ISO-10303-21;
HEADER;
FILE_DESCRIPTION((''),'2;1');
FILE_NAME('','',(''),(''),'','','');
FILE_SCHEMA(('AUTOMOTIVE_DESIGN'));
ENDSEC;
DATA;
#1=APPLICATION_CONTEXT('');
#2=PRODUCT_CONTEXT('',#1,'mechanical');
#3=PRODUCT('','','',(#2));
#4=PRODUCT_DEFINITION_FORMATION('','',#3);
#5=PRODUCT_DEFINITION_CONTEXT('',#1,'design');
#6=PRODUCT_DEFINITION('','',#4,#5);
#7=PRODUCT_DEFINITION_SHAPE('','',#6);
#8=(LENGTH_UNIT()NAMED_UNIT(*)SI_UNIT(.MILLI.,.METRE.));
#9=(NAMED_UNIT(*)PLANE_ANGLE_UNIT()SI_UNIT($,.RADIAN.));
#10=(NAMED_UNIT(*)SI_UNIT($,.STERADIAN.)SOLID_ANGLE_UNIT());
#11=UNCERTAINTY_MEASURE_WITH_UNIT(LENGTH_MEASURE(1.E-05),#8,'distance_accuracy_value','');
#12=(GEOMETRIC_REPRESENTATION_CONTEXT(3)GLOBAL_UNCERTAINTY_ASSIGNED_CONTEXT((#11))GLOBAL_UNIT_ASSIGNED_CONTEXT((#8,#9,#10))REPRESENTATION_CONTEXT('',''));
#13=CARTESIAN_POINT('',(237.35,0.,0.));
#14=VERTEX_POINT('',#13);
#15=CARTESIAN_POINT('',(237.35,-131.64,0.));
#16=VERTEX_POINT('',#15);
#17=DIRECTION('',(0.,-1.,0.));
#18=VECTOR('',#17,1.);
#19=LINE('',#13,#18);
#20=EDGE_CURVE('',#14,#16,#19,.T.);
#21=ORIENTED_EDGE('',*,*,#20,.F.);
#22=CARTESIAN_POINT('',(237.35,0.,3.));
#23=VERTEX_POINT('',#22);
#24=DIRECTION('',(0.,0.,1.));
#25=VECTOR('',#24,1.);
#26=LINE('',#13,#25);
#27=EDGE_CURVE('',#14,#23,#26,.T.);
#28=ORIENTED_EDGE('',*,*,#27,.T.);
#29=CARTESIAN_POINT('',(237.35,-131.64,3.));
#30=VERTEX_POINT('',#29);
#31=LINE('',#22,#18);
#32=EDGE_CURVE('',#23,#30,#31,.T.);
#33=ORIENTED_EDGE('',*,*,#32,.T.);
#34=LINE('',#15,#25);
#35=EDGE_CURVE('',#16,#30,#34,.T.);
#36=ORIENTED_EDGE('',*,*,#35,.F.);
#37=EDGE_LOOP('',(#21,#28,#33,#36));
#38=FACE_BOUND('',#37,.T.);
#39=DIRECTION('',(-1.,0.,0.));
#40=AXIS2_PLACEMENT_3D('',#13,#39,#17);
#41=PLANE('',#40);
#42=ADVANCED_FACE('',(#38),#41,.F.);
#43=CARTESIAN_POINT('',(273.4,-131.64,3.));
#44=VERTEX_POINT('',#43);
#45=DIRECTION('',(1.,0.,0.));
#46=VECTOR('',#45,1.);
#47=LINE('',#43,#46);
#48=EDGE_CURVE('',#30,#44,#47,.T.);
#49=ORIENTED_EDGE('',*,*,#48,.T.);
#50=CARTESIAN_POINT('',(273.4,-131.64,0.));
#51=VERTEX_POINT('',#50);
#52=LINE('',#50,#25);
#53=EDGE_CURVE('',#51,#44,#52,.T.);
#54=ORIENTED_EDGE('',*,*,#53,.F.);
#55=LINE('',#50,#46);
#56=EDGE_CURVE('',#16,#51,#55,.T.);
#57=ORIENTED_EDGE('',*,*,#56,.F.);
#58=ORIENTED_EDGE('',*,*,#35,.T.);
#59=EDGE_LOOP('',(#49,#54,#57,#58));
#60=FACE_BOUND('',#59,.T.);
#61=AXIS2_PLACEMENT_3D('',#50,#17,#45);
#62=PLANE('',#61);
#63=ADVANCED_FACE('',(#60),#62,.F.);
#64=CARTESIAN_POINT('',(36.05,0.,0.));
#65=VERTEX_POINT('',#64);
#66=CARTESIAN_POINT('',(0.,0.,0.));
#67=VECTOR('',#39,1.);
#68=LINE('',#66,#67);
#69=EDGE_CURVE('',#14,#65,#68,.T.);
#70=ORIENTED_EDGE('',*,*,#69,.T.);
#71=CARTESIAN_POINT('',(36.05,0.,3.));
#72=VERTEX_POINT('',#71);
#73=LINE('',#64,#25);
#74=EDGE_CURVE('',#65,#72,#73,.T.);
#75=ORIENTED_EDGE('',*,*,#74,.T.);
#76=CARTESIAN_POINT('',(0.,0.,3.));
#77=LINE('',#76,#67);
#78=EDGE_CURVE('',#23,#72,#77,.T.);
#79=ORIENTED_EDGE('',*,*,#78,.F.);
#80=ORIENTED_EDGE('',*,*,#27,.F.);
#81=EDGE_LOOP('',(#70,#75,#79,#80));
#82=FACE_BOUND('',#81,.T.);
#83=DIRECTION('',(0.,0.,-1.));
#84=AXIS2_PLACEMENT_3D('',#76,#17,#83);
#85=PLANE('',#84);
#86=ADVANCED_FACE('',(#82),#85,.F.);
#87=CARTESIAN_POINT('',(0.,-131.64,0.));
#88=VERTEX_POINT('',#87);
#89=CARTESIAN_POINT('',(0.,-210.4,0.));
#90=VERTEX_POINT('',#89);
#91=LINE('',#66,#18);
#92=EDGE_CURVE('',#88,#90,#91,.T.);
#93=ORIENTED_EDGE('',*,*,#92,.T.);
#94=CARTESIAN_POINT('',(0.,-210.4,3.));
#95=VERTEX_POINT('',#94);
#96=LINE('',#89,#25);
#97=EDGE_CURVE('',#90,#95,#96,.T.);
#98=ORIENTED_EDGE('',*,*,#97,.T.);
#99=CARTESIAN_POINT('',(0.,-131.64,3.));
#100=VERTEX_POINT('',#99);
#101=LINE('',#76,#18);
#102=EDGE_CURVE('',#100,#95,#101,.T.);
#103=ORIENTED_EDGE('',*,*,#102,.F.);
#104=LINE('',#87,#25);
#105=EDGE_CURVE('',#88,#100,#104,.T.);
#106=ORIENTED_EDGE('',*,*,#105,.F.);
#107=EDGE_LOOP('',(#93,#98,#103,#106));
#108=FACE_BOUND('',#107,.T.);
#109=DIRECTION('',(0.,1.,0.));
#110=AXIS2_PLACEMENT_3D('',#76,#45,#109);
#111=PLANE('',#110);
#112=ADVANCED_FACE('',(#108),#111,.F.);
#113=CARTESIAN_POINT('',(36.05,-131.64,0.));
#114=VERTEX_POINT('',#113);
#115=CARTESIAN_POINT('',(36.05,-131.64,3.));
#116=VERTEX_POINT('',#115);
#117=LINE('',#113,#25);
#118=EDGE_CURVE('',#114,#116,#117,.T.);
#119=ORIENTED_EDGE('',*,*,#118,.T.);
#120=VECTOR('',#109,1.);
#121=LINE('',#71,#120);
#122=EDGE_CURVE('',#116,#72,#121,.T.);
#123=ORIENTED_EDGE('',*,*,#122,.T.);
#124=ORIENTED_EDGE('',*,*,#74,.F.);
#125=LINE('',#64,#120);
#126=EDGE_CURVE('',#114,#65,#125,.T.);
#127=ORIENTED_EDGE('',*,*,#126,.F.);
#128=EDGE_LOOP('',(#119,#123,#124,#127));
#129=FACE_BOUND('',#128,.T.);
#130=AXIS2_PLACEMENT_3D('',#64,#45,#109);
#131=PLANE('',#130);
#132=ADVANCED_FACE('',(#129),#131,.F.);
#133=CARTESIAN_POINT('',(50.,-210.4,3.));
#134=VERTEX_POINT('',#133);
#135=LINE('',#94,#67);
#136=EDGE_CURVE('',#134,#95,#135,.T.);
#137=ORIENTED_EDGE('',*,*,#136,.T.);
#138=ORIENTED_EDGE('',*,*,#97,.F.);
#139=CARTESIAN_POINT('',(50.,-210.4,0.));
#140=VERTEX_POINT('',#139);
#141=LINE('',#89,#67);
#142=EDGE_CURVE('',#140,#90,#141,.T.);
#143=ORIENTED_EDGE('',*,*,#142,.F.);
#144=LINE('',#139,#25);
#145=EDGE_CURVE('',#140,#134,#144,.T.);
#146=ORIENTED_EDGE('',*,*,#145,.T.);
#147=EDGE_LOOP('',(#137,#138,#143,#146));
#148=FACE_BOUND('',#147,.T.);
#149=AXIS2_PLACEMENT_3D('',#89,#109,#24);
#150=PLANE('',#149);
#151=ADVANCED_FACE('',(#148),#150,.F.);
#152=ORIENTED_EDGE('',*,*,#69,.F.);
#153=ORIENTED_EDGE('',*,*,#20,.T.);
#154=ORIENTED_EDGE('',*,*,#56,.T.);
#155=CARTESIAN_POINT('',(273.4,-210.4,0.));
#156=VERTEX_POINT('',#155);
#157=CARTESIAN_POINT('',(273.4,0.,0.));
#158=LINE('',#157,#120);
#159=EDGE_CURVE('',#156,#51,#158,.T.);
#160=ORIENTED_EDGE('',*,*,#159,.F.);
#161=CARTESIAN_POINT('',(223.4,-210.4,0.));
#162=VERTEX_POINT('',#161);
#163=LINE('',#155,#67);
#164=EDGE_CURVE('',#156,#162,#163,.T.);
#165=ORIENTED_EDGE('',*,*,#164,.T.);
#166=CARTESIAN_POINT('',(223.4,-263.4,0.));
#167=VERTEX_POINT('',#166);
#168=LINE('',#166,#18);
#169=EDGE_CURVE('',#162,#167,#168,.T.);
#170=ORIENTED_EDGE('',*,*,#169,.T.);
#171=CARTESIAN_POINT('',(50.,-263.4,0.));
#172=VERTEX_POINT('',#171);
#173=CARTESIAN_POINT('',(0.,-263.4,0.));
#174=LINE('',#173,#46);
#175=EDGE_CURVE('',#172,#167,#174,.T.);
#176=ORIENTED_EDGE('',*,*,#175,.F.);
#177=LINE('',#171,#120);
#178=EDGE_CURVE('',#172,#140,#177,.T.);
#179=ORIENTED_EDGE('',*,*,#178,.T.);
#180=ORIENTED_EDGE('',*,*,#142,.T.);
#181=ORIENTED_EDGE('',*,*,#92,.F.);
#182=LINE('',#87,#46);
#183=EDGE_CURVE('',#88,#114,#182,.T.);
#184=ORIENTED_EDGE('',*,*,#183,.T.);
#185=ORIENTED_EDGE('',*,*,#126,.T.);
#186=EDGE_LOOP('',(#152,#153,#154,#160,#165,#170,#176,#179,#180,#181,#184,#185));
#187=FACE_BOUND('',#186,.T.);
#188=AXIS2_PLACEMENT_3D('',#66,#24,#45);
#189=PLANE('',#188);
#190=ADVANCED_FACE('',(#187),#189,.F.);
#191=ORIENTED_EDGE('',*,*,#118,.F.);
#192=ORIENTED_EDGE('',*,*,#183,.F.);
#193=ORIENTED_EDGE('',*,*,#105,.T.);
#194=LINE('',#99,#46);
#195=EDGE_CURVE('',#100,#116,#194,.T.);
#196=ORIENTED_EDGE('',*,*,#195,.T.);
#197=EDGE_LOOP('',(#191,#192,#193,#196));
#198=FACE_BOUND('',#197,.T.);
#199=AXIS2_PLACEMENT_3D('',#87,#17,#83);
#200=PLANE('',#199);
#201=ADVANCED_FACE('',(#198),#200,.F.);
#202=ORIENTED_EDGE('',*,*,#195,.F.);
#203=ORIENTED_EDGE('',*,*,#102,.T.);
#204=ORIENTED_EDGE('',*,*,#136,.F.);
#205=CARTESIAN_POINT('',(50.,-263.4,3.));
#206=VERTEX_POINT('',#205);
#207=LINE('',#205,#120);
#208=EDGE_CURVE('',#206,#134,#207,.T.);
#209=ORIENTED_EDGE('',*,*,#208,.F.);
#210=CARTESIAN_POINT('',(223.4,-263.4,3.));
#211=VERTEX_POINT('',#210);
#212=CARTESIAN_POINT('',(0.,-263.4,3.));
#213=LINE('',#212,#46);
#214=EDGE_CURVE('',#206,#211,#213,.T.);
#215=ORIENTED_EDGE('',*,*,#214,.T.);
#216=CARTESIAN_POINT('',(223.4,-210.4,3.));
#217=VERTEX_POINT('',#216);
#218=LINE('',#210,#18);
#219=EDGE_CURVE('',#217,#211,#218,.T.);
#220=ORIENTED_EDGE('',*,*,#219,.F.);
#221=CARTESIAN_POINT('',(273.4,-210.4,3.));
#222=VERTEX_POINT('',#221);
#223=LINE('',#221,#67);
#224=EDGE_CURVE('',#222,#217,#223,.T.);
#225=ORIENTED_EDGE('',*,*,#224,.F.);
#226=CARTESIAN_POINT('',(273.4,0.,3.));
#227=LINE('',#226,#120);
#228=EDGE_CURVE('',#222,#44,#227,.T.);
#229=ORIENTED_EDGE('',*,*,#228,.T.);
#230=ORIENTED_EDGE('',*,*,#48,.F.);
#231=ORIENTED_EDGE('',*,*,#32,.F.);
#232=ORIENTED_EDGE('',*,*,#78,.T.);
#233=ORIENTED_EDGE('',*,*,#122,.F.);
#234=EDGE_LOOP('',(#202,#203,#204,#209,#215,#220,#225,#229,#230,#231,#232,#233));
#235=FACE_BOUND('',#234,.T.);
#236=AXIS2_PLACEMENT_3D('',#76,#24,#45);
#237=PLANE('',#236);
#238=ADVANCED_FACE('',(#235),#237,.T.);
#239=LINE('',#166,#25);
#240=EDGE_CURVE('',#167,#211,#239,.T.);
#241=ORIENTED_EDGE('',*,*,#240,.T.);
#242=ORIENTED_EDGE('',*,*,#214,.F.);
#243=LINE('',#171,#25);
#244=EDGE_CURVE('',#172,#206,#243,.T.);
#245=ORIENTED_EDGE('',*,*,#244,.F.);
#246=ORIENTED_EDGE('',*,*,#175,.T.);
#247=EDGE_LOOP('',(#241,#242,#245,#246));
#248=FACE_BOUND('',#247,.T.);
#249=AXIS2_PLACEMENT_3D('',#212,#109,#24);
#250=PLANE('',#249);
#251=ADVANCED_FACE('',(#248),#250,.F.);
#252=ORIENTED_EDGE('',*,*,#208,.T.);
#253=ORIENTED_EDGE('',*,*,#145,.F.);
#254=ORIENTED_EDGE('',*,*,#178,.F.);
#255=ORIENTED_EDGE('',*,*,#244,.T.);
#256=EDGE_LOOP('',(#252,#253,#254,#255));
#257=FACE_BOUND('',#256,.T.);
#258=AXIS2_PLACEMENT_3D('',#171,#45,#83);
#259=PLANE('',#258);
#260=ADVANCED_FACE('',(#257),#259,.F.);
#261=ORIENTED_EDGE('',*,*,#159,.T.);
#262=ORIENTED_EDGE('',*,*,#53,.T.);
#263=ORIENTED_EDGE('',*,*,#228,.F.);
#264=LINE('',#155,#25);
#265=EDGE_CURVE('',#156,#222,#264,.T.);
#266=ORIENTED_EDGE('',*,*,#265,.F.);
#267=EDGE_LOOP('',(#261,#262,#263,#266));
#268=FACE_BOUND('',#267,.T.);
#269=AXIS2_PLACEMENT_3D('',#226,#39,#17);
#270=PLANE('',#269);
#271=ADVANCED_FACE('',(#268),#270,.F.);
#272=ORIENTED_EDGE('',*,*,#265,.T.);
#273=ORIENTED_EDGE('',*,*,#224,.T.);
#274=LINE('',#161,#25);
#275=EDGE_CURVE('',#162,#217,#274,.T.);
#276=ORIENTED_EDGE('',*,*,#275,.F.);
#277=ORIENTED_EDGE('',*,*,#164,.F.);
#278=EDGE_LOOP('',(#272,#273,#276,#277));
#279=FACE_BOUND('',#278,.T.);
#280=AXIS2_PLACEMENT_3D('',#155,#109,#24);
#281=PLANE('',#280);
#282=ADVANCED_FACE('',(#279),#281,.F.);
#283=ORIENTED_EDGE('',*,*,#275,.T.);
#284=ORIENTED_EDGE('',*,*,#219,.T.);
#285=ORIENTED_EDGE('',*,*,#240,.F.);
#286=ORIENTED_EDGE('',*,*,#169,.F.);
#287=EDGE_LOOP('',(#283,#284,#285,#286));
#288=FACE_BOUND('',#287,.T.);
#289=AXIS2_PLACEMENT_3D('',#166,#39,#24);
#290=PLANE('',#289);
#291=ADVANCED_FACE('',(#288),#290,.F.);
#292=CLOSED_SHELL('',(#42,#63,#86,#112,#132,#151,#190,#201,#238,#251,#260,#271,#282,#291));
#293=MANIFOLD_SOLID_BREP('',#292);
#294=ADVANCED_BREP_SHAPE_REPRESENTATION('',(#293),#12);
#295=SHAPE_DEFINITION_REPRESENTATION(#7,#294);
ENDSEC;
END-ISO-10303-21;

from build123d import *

# Parameters (mm, degrees)
SKETCH1_W           = 273.4
SKETCH1_H           = 263.4
BOSS_EXTRUDE1_DEPTH = 3
SKETCH2_W           = 36.05
SKETCH2_H           = 131.64
SKETCH2_W_2         = 50
SKETCH2_H_2         = 53
CUT_EXTRUDE1_DEPTH  = 380.652630703


with BuildPart() as part:
    # Sketch1 → Boss-Extrude1 (new body)
    with BuildSketch(Plane.XY):
        with Locations((136.7, -131.7)):
            Rectangle(SKETCH1_W, SKETCH1_H)
    extrude(amount=BOSS_EXTRUDE1_DEPTH)

    # Sketch2 → Cut-Extrude1 (cut, through all)
    with BuildSketch(Plane.XY.offset(3)):
        with Locations((18.025, -65.82)):
            Rectangle(SKETCH2_W, SKETCH2_H)
        with Locations((25, -236.9)):
            Rectangle(SKETCH2_W_2, SKETCH2_H_2)
        with Locations((255.375, -65.82)):
            Rectangle(SKETCH2_W, SKETCH2_H)
        with Locations((248.4, -236.9)):
            Rectangle(SKETCH2_W_2, SKETCH2_H_2)
    extrude(amount=-CUT_EXTRUDE1_DEPTH, mode=Mode.SUBTRACT)


solid = part.part
